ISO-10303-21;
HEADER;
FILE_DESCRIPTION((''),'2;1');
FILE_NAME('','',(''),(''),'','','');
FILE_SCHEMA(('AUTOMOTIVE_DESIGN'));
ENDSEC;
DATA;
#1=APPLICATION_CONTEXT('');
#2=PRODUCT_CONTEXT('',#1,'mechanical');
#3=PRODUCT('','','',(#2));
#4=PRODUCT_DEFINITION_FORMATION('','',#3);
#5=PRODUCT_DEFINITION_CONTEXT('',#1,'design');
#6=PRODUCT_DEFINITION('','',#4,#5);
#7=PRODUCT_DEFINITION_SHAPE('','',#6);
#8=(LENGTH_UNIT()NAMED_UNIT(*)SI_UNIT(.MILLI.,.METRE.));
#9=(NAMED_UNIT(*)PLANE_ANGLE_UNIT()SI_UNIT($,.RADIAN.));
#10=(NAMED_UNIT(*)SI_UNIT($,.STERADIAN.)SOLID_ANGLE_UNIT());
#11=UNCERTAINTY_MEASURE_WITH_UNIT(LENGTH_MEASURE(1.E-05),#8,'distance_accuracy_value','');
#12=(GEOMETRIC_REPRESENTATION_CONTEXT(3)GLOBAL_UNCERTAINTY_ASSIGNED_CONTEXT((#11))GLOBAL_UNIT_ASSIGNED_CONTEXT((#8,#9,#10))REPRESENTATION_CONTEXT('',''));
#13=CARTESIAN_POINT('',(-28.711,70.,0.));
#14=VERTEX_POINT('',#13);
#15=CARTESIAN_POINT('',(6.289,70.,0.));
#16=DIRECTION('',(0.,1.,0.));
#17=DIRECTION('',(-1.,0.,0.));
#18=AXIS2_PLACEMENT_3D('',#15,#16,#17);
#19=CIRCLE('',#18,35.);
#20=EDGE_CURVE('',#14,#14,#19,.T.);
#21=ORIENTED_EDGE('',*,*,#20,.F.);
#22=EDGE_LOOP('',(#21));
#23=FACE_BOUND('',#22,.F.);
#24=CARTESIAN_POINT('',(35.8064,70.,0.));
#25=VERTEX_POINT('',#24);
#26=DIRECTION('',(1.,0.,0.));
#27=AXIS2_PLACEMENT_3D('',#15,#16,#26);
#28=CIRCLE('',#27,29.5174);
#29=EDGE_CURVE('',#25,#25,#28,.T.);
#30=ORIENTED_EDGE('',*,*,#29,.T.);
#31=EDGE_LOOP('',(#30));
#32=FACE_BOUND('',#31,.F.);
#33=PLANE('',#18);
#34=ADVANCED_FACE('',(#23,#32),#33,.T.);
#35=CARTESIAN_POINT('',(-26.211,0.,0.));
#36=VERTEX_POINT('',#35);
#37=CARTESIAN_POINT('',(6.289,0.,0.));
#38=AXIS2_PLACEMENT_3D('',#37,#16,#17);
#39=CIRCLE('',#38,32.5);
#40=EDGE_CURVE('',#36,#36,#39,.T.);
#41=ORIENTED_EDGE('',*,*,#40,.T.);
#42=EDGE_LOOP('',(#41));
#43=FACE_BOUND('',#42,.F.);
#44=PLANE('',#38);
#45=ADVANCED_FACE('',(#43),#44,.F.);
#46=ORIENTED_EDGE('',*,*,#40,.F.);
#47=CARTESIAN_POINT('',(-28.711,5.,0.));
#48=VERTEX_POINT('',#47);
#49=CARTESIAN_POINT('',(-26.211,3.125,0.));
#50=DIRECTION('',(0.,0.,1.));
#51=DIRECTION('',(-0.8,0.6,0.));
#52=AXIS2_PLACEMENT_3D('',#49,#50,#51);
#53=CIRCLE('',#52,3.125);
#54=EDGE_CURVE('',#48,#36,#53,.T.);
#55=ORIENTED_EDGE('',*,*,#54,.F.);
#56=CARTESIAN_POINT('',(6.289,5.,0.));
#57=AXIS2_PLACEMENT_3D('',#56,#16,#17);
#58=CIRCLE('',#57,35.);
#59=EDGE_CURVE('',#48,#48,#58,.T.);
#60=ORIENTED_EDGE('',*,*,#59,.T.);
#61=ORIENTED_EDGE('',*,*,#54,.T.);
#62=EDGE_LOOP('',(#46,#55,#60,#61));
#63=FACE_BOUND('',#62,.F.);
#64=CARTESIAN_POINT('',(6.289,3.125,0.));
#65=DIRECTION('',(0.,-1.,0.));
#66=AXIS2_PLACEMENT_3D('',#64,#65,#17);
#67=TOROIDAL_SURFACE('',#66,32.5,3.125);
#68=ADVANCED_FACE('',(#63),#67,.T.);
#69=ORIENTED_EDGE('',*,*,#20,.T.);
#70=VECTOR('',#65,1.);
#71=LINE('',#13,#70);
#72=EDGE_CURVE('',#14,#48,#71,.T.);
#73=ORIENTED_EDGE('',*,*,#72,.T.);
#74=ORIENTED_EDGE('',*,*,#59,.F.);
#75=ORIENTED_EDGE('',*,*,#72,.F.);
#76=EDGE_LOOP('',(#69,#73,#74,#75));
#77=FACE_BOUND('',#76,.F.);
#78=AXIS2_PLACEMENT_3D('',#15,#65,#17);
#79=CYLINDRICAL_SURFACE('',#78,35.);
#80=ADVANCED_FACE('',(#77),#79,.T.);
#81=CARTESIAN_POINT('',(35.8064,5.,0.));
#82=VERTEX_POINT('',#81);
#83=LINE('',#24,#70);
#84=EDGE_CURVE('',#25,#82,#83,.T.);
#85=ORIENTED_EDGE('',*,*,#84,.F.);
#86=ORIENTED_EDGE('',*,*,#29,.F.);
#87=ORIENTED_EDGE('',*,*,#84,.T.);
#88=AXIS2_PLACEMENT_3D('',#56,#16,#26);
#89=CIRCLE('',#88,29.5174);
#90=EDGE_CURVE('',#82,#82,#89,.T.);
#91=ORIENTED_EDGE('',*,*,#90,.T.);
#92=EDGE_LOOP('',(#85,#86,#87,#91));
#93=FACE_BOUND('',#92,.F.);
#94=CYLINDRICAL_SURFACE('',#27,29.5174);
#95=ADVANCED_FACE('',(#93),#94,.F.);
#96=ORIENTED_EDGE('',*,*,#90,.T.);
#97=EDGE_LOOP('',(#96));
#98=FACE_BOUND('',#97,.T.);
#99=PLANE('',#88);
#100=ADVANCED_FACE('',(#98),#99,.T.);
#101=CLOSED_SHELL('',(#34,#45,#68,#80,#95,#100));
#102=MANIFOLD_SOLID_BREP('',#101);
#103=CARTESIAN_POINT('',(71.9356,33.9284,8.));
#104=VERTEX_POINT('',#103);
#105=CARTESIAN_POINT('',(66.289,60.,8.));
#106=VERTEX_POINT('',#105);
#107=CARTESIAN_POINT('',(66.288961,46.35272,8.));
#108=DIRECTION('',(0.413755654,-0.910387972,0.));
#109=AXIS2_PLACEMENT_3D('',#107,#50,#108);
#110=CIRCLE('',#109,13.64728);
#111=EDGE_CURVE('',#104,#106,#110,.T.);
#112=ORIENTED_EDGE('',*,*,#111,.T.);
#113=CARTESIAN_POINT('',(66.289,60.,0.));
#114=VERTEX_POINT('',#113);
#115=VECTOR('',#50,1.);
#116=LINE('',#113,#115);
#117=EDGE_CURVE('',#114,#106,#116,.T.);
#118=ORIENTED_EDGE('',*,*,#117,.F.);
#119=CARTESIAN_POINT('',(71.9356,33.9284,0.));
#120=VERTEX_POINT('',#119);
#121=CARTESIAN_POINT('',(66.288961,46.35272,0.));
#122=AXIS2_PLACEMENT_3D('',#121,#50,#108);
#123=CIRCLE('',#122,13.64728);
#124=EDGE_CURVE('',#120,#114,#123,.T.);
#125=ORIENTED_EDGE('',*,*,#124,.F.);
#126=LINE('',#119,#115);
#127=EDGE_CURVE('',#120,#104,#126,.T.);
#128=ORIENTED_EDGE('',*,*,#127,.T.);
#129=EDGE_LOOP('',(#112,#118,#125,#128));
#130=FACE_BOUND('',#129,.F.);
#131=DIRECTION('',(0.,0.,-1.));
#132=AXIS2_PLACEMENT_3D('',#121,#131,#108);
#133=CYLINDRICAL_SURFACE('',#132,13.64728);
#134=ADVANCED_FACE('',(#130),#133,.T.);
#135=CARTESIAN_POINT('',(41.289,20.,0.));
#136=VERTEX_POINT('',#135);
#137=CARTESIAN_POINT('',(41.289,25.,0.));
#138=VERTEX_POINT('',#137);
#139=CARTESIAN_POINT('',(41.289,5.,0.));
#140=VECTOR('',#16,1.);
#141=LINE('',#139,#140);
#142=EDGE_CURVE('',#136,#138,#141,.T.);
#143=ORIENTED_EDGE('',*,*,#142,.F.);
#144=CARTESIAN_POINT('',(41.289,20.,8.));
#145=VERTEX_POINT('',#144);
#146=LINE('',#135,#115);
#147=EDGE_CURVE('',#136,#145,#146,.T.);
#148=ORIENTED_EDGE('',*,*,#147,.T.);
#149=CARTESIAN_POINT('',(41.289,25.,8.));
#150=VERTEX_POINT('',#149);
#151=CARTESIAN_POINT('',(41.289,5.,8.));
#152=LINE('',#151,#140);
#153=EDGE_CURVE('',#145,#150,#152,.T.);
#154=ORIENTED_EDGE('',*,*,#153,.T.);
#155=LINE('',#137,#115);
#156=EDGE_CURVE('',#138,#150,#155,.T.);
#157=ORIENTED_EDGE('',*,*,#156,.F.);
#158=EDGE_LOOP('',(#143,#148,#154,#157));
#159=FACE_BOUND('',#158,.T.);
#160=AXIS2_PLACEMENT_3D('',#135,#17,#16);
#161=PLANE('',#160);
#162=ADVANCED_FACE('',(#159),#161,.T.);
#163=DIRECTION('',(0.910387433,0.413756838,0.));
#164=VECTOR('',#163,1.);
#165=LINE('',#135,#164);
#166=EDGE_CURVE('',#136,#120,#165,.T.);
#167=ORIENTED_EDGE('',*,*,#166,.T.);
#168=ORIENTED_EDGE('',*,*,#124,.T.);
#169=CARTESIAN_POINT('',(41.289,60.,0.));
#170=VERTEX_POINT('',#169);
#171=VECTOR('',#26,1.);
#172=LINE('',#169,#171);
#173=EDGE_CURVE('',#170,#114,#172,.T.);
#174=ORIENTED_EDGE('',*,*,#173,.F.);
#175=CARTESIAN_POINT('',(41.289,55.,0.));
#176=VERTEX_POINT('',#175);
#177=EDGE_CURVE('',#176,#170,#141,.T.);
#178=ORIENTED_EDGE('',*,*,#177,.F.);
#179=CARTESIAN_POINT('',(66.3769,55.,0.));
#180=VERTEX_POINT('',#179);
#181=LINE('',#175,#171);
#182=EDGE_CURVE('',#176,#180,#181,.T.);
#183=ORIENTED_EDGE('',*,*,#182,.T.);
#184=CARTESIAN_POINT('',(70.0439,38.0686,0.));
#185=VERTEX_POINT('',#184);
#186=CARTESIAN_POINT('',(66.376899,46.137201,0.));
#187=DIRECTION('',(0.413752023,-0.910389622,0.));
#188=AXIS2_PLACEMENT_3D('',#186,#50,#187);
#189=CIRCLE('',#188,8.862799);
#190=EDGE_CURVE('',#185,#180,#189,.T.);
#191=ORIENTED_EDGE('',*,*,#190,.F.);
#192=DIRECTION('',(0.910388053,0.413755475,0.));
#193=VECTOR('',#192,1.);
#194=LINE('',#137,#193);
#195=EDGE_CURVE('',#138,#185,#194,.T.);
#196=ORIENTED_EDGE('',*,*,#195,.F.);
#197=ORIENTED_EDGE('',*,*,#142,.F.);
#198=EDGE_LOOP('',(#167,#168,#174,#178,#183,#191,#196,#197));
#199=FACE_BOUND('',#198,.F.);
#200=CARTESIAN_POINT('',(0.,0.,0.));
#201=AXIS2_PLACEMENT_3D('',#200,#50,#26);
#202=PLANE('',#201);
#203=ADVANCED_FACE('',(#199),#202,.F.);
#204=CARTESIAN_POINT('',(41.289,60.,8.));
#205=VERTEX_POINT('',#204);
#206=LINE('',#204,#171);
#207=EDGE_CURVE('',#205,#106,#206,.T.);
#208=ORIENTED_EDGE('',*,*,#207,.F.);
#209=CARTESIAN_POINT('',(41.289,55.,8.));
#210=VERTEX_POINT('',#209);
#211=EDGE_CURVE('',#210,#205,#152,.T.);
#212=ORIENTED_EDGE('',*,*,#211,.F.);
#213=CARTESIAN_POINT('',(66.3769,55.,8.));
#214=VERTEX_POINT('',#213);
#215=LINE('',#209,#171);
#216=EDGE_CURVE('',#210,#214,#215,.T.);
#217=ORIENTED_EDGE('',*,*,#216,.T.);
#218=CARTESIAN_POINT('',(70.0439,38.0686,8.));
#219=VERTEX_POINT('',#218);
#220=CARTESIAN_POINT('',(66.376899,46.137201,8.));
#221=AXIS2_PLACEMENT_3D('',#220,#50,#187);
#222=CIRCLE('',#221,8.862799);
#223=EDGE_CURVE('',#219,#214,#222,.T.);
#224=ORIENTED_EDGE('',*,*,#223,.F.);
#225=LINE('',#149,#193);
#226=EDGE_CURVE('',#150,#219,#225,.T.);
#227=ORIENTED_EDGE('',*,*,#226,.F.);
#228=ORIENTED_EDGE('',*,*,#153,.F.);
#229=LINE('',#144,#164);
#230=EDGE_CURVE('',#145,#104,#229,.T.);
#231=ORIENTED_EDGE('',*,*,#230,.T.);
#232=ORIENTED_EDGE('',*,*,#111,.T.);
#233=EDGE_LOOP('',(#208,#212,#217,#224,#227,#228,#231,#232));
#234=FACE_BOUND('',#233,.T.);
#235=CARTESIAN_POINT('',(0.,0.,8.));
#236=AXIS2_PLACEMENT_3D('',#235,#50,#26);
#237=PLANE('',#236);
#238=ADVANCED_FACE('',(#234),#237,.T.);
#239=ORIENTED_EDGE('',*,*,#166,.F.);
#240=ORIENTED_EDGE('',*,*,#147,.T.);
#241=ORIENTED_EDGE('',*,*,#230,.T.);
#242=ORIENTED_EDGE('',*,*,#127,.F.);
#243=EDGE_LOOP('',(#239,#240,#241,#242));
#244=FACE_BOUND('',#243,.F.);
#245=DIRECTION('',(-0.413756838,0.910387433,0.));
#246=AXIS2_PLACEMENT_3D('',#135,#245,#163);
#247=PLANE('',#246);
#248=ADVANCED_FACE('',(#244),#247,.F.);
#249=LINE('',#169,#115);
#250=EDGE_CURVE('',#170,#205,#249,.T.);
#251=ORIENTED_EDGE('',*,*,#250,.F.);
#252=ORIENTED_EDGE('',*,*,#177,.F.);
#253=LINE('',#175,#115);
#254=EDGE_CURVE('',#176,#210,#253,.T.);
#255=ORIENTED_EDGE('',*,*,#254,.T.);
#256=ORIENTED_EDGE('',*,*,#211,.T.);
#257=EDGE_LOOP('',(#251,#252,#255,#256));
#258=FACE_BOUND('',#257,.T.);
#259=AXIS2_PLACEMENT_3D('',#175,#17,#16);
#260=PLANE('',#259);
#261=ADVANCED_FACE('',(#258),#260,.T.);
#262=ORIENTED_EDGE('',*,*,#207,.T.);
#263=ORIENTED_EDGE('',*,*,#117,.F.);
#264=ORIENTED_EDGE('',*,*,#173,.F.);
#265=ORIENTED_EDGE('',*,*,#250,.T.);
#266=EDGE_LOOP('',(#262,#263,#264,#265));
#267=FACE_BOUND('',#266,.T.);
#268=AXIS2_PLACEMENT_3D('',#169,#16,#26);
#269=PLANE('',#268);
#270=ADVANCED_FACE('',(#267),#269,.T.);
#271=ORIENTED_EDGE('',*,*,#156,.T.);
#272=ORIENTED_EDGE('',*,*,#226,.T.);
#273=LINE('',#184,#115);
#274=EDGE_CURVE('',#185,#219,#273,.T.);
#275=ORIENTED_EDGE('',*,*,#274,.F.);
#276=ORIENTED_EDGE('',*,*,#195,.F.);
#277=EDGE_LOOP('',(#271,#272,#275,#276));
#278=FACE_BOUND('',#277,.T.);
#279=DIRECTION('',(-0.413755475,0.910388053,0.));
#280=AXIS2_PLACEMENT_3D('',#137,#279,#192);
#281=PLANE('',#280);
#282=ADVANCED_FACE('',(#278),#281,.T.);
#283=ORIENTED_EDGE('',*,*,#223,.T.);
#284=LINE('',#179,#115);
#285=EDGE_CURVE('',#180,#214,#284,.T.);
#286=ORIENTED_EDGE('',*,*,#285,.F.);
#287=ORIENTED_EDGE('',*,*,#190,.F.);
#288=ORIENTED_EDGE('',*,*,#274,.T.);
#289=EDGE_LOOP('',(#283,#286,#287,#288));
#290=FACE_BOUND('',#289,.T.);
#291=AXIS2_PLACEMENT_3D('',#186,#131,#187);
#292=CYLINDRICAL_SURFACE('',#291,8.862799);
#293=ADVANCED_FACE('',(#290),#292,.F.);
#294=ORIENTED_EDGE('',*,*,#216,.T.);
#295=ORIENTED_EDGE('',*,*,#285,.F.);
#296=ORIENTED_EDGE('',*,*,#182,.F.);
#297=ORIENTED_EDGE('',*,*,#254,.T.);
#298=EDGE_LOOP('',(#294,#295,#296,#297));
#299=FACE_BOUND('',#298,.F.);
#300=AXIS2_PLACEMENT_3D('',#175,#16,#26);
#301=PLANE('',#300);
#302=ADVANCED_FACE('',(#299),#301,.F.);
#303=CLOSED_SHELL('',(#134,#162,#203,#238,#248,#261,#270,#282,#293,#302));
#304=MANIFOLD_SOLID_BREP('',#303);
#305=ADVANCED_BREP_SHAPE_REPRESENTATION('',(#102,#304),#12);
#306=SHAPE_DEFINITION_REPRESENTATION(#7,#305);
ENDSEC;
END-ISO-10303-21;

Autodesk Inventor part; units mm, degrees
ref_plane "YZ Plane" through (0, 0, 0) normal (1, 0, 0) x (0, 1, 0)
ref_plane "XZ Plane" through (0, 0, 0) normal (0, 1, 0) x (-1, 0, 0)
ref_plane "XY Plane" through (0, 0, 0) normal (0, 0, 1) x (1, 0, 0)
sketch "Boceto1" plane through (0, 0, 0) normal (0, 0, 1) x (1, 0, 0)
  line L0 (-26.211, 0) -> (6.289, 0)
  line L1 (6.289, 0) -> (6.289, 70)
  line L2 (6.289, 70) -> (-28.711, 70)
  line L3 (-28.711, 70) -> (-28.711, 5)
  arc A0 (-28.711, 5) -> (-26.211, 0) centre (-26.211, 3.125) ccw
  point P0 (0, 0)
  dimension "d2" = 32.5
  dimension "d3" = 70
  dimension "d4" = 35
  dimension "d5" = 65
revolve "Revolución1" add sketch "Boceto1" angle 360 about axis through (6.289, 0, 0) along (0, 1, 0)
sketch "Boceto2" plane through (6.289, 70, 0) normal (0, 1, 0) x (1, 0, 0)
  circle A0 centre (0, 0) radius 29.5174
  point P0 (-6.289, 0)
extrude "Extrusión1" cut sketch "Boceto2" against normal blind 65
sketch "Boceto3" plane through (0, 0, 0) normal (0, 0, 1) x (1, 0, 0)
  line L0 (41.289, 70) -> (-28.711, 70) projected
  line L1 (41.289, 70) -> (41.289, 60)
  line L2 (41.289, 5) -> (41.289, 70) projected
  line L3 (41.289, 60) -> (66.289, 60)
  line L4 (41.289, 5) -> (41.289, 20)
  line L5 (41.289, 20) -> (71.9356, 33.9284)
  arc A0 (71.9356, 33.9284) -> (66.289, 60) centre (66.289, 46.3527) ccw
  line L6 (41.289, 60) -> (41.289, 55)
  line L7 (41.289, 55) -> (66.3769, 55)
  line L8 (41.289, 20) -> (41.289, 25)
  line L9 (41.289, 25) -> (70.0439, 38.0686)
  arc A1 (70.0439, 38.0686) -> (66.3769, 55) centre (66.3769, 46.1372) ccw
  point P0 (0, 0)
  dimension "d9" = 10
  dimension "d10" = 25
  dimension "d11" = 15
  dimension "d12" = 5
  dimension "d13" = 5
extrude "Extrusión2" add sketch "Boceto3" along normal blind 8 contours L2 L9 A1 L7 L3 A0 L5
properties part number "TAZA DEL CID"
